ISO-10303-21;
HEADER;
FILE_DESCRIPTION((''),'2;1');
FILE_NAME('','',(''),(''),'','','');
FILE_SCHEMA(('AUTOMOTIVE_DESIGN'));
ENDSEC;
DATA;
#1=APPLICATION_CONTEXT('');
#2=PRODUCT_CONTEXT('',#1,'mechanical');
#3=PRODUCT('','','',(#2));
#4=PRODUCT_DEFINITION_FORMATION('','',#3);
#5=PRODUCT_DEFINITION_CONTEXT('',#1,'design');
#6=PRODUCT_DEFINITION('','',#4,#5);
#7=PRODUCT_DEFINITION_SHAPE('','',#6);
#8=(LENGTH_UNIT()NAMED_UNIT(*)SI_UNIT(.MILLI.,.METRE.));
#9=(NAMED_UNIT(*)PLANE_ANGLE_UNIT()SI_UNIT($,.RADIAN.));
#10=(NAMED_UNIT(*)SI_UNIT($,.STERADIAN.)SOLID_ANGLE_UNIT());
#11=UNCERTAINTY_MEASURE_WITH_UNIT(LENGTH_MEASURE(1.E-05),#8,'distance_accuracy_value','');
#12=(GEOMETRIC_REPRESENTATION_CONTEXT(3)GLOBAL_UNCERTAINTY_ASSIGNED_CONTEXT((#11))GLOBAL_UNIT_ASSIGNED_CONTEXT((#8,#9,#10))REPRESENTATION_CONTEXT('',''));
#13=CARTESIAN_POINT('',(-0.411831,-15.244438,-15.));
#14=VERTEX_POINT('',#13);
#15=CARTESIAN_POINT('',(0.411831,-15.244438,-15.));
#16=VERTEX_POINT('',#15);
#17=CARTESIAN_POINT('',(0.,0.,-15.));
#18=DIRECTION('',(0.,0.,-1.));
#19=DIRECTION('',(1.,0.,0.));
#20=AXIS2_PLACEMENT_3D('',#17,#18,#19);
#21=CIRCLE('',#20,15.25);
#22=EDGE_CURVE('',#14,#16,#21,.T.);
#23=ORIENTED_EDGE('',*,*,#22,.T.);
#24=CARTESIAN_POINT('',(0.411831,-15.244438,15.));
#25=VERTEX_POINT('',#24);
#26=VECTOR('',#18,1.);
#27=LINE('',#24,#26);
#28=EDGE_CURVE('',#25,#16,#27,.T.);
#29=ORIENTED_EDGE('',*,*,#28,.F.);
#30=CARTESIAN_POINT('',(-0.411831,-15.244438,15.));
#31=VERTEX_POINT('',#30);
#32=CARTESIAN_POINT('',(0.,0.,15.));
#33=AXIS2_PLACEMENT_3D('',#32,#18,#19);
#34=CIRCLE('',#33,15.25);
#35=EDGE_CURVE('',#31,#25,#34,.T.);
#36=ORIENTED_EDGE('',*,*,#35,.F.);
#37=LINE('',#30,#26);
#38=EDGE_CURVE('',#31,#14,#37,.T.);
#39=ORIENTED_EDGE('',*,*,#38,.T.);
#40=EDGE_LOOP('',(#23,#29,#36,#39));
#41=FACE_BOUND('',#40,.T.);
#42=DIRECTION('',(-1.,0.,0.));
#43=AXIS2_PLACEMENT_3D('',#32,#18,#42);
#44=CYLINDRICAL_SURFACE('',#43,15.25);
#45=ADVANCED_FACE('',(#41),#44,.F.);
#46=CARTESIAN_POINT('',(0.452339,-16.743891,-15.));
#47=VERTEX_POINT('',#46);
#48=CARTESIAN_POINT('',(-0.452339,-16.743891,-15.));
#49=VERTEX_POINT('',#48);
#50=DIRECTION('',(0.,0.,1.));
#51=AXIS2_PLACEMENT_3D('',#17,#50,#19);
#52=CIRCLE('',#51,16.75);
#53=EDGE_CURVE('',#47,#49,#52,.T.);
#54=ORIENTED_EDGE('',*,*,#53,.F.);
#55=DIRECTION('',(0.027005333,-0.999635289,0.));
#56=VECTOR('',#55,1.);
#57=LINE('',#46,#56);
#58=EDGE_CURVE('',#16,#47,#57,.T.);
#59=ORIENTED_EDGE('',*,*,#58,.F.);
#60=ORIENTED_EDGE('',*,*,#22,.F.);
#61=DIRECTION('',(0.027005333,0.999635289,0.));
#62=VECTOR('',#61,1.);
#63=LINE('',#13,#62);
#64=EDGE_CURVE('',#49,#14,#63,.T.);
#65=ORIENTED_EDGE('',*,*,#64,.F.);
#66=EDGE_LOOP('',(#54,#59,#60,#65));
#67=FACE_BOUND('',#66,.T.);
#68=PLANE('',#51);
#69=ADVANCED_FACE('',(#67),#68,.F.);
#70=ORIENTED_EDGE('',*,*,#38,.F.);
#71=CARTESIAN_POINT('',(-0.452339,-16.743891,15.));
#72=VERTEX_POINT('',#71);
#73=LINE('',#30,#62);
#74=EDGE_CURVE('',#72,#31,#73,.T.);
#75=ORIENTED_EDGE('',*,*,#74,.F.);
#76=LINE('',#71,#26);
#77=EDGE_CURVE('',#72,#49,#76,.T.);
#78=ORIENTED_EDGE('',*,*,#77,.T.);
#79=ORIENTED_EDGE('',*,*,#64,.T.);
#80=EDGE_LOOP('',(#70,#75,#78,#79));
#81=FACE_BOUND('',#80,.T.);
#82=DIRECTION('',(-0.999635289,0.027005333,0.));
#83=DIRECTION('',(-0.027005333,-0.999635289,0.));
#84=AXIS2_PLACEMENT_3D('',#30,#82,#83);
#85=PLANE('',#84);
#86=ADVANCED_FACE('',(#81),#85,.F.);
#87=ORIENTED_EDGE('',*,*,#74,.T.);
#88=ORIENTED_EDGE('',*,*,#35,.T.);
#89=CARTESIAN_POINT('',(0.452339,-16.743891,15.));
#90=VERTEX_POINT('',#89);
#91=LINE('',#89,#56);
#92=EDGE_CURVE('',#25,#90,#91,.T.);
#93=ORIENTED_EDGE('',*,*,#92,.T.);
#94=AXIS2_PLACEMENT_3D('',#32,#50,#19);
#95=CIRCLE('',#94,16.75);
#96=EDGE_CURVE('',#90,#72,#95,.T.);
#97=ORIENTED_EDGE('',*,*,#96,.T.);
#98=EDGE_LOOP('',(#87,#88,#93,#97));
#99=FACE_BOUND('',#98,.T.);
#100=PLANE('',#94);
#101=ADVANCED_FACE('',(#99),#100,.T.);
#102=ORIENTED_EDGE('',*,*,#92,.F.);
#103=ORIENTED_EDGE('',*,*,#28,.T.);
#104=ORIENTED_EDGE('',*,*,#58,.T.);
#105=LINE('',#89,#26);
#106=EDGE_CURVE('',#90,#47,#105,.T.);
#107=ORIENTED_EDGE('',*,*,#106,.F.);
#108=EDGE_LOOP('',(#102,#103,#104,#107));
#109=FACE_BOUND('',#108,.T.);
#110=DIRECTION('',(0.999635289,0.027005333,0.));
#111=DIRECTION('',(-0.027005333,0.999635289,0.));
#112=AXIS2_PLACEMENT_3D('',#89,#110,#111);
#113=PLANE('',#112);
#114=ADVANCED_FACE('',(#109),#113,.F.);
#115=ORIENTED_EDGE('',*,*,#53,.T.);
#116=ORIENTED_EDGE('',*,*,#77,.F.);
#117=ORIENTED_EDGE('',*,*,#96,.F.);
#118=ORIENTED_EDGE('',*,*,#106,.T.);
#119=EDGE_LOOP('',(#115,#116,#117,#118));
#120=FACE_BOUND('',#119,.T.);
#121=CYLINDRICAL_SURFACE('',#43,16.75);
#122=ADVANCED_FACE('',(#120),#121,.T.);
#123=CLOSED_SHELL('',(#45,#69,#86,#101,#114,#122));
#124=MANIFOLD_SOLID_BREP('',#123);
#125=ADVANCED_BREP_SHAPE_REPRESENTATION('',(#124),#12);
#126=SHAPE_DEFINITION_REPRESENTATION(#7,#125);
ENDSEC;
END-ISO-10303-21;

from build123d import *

# Parameters (mm, degrees)
BOSS_EXTRUDE1_DEPTH = 15


with BuildPart() as part:
    # Sketch1 → Boss-Extrude1 (new body, symmetric)
    with BuildSketch(Plane.XY):
        with BuildLine():
            Line((-0.411831327, -15.244438165), (-0.452339326, -16.743891099))
            ThreePointArc((-0.452339326, -16.743891099), (0, 16.75), (0.452339326, -16.743891099))
            Line((0.452339326, -16.743891099), (0.411831327, -15.244438165))
            ThreePointArc((0.411831327, -15.244438165), (0, 15.25), (-0.411831327, -15.244438165))
        make_face()
    extrude(amount=BOSS_EXTRUDE1_DEPTH, both=True)


solid = part.part
